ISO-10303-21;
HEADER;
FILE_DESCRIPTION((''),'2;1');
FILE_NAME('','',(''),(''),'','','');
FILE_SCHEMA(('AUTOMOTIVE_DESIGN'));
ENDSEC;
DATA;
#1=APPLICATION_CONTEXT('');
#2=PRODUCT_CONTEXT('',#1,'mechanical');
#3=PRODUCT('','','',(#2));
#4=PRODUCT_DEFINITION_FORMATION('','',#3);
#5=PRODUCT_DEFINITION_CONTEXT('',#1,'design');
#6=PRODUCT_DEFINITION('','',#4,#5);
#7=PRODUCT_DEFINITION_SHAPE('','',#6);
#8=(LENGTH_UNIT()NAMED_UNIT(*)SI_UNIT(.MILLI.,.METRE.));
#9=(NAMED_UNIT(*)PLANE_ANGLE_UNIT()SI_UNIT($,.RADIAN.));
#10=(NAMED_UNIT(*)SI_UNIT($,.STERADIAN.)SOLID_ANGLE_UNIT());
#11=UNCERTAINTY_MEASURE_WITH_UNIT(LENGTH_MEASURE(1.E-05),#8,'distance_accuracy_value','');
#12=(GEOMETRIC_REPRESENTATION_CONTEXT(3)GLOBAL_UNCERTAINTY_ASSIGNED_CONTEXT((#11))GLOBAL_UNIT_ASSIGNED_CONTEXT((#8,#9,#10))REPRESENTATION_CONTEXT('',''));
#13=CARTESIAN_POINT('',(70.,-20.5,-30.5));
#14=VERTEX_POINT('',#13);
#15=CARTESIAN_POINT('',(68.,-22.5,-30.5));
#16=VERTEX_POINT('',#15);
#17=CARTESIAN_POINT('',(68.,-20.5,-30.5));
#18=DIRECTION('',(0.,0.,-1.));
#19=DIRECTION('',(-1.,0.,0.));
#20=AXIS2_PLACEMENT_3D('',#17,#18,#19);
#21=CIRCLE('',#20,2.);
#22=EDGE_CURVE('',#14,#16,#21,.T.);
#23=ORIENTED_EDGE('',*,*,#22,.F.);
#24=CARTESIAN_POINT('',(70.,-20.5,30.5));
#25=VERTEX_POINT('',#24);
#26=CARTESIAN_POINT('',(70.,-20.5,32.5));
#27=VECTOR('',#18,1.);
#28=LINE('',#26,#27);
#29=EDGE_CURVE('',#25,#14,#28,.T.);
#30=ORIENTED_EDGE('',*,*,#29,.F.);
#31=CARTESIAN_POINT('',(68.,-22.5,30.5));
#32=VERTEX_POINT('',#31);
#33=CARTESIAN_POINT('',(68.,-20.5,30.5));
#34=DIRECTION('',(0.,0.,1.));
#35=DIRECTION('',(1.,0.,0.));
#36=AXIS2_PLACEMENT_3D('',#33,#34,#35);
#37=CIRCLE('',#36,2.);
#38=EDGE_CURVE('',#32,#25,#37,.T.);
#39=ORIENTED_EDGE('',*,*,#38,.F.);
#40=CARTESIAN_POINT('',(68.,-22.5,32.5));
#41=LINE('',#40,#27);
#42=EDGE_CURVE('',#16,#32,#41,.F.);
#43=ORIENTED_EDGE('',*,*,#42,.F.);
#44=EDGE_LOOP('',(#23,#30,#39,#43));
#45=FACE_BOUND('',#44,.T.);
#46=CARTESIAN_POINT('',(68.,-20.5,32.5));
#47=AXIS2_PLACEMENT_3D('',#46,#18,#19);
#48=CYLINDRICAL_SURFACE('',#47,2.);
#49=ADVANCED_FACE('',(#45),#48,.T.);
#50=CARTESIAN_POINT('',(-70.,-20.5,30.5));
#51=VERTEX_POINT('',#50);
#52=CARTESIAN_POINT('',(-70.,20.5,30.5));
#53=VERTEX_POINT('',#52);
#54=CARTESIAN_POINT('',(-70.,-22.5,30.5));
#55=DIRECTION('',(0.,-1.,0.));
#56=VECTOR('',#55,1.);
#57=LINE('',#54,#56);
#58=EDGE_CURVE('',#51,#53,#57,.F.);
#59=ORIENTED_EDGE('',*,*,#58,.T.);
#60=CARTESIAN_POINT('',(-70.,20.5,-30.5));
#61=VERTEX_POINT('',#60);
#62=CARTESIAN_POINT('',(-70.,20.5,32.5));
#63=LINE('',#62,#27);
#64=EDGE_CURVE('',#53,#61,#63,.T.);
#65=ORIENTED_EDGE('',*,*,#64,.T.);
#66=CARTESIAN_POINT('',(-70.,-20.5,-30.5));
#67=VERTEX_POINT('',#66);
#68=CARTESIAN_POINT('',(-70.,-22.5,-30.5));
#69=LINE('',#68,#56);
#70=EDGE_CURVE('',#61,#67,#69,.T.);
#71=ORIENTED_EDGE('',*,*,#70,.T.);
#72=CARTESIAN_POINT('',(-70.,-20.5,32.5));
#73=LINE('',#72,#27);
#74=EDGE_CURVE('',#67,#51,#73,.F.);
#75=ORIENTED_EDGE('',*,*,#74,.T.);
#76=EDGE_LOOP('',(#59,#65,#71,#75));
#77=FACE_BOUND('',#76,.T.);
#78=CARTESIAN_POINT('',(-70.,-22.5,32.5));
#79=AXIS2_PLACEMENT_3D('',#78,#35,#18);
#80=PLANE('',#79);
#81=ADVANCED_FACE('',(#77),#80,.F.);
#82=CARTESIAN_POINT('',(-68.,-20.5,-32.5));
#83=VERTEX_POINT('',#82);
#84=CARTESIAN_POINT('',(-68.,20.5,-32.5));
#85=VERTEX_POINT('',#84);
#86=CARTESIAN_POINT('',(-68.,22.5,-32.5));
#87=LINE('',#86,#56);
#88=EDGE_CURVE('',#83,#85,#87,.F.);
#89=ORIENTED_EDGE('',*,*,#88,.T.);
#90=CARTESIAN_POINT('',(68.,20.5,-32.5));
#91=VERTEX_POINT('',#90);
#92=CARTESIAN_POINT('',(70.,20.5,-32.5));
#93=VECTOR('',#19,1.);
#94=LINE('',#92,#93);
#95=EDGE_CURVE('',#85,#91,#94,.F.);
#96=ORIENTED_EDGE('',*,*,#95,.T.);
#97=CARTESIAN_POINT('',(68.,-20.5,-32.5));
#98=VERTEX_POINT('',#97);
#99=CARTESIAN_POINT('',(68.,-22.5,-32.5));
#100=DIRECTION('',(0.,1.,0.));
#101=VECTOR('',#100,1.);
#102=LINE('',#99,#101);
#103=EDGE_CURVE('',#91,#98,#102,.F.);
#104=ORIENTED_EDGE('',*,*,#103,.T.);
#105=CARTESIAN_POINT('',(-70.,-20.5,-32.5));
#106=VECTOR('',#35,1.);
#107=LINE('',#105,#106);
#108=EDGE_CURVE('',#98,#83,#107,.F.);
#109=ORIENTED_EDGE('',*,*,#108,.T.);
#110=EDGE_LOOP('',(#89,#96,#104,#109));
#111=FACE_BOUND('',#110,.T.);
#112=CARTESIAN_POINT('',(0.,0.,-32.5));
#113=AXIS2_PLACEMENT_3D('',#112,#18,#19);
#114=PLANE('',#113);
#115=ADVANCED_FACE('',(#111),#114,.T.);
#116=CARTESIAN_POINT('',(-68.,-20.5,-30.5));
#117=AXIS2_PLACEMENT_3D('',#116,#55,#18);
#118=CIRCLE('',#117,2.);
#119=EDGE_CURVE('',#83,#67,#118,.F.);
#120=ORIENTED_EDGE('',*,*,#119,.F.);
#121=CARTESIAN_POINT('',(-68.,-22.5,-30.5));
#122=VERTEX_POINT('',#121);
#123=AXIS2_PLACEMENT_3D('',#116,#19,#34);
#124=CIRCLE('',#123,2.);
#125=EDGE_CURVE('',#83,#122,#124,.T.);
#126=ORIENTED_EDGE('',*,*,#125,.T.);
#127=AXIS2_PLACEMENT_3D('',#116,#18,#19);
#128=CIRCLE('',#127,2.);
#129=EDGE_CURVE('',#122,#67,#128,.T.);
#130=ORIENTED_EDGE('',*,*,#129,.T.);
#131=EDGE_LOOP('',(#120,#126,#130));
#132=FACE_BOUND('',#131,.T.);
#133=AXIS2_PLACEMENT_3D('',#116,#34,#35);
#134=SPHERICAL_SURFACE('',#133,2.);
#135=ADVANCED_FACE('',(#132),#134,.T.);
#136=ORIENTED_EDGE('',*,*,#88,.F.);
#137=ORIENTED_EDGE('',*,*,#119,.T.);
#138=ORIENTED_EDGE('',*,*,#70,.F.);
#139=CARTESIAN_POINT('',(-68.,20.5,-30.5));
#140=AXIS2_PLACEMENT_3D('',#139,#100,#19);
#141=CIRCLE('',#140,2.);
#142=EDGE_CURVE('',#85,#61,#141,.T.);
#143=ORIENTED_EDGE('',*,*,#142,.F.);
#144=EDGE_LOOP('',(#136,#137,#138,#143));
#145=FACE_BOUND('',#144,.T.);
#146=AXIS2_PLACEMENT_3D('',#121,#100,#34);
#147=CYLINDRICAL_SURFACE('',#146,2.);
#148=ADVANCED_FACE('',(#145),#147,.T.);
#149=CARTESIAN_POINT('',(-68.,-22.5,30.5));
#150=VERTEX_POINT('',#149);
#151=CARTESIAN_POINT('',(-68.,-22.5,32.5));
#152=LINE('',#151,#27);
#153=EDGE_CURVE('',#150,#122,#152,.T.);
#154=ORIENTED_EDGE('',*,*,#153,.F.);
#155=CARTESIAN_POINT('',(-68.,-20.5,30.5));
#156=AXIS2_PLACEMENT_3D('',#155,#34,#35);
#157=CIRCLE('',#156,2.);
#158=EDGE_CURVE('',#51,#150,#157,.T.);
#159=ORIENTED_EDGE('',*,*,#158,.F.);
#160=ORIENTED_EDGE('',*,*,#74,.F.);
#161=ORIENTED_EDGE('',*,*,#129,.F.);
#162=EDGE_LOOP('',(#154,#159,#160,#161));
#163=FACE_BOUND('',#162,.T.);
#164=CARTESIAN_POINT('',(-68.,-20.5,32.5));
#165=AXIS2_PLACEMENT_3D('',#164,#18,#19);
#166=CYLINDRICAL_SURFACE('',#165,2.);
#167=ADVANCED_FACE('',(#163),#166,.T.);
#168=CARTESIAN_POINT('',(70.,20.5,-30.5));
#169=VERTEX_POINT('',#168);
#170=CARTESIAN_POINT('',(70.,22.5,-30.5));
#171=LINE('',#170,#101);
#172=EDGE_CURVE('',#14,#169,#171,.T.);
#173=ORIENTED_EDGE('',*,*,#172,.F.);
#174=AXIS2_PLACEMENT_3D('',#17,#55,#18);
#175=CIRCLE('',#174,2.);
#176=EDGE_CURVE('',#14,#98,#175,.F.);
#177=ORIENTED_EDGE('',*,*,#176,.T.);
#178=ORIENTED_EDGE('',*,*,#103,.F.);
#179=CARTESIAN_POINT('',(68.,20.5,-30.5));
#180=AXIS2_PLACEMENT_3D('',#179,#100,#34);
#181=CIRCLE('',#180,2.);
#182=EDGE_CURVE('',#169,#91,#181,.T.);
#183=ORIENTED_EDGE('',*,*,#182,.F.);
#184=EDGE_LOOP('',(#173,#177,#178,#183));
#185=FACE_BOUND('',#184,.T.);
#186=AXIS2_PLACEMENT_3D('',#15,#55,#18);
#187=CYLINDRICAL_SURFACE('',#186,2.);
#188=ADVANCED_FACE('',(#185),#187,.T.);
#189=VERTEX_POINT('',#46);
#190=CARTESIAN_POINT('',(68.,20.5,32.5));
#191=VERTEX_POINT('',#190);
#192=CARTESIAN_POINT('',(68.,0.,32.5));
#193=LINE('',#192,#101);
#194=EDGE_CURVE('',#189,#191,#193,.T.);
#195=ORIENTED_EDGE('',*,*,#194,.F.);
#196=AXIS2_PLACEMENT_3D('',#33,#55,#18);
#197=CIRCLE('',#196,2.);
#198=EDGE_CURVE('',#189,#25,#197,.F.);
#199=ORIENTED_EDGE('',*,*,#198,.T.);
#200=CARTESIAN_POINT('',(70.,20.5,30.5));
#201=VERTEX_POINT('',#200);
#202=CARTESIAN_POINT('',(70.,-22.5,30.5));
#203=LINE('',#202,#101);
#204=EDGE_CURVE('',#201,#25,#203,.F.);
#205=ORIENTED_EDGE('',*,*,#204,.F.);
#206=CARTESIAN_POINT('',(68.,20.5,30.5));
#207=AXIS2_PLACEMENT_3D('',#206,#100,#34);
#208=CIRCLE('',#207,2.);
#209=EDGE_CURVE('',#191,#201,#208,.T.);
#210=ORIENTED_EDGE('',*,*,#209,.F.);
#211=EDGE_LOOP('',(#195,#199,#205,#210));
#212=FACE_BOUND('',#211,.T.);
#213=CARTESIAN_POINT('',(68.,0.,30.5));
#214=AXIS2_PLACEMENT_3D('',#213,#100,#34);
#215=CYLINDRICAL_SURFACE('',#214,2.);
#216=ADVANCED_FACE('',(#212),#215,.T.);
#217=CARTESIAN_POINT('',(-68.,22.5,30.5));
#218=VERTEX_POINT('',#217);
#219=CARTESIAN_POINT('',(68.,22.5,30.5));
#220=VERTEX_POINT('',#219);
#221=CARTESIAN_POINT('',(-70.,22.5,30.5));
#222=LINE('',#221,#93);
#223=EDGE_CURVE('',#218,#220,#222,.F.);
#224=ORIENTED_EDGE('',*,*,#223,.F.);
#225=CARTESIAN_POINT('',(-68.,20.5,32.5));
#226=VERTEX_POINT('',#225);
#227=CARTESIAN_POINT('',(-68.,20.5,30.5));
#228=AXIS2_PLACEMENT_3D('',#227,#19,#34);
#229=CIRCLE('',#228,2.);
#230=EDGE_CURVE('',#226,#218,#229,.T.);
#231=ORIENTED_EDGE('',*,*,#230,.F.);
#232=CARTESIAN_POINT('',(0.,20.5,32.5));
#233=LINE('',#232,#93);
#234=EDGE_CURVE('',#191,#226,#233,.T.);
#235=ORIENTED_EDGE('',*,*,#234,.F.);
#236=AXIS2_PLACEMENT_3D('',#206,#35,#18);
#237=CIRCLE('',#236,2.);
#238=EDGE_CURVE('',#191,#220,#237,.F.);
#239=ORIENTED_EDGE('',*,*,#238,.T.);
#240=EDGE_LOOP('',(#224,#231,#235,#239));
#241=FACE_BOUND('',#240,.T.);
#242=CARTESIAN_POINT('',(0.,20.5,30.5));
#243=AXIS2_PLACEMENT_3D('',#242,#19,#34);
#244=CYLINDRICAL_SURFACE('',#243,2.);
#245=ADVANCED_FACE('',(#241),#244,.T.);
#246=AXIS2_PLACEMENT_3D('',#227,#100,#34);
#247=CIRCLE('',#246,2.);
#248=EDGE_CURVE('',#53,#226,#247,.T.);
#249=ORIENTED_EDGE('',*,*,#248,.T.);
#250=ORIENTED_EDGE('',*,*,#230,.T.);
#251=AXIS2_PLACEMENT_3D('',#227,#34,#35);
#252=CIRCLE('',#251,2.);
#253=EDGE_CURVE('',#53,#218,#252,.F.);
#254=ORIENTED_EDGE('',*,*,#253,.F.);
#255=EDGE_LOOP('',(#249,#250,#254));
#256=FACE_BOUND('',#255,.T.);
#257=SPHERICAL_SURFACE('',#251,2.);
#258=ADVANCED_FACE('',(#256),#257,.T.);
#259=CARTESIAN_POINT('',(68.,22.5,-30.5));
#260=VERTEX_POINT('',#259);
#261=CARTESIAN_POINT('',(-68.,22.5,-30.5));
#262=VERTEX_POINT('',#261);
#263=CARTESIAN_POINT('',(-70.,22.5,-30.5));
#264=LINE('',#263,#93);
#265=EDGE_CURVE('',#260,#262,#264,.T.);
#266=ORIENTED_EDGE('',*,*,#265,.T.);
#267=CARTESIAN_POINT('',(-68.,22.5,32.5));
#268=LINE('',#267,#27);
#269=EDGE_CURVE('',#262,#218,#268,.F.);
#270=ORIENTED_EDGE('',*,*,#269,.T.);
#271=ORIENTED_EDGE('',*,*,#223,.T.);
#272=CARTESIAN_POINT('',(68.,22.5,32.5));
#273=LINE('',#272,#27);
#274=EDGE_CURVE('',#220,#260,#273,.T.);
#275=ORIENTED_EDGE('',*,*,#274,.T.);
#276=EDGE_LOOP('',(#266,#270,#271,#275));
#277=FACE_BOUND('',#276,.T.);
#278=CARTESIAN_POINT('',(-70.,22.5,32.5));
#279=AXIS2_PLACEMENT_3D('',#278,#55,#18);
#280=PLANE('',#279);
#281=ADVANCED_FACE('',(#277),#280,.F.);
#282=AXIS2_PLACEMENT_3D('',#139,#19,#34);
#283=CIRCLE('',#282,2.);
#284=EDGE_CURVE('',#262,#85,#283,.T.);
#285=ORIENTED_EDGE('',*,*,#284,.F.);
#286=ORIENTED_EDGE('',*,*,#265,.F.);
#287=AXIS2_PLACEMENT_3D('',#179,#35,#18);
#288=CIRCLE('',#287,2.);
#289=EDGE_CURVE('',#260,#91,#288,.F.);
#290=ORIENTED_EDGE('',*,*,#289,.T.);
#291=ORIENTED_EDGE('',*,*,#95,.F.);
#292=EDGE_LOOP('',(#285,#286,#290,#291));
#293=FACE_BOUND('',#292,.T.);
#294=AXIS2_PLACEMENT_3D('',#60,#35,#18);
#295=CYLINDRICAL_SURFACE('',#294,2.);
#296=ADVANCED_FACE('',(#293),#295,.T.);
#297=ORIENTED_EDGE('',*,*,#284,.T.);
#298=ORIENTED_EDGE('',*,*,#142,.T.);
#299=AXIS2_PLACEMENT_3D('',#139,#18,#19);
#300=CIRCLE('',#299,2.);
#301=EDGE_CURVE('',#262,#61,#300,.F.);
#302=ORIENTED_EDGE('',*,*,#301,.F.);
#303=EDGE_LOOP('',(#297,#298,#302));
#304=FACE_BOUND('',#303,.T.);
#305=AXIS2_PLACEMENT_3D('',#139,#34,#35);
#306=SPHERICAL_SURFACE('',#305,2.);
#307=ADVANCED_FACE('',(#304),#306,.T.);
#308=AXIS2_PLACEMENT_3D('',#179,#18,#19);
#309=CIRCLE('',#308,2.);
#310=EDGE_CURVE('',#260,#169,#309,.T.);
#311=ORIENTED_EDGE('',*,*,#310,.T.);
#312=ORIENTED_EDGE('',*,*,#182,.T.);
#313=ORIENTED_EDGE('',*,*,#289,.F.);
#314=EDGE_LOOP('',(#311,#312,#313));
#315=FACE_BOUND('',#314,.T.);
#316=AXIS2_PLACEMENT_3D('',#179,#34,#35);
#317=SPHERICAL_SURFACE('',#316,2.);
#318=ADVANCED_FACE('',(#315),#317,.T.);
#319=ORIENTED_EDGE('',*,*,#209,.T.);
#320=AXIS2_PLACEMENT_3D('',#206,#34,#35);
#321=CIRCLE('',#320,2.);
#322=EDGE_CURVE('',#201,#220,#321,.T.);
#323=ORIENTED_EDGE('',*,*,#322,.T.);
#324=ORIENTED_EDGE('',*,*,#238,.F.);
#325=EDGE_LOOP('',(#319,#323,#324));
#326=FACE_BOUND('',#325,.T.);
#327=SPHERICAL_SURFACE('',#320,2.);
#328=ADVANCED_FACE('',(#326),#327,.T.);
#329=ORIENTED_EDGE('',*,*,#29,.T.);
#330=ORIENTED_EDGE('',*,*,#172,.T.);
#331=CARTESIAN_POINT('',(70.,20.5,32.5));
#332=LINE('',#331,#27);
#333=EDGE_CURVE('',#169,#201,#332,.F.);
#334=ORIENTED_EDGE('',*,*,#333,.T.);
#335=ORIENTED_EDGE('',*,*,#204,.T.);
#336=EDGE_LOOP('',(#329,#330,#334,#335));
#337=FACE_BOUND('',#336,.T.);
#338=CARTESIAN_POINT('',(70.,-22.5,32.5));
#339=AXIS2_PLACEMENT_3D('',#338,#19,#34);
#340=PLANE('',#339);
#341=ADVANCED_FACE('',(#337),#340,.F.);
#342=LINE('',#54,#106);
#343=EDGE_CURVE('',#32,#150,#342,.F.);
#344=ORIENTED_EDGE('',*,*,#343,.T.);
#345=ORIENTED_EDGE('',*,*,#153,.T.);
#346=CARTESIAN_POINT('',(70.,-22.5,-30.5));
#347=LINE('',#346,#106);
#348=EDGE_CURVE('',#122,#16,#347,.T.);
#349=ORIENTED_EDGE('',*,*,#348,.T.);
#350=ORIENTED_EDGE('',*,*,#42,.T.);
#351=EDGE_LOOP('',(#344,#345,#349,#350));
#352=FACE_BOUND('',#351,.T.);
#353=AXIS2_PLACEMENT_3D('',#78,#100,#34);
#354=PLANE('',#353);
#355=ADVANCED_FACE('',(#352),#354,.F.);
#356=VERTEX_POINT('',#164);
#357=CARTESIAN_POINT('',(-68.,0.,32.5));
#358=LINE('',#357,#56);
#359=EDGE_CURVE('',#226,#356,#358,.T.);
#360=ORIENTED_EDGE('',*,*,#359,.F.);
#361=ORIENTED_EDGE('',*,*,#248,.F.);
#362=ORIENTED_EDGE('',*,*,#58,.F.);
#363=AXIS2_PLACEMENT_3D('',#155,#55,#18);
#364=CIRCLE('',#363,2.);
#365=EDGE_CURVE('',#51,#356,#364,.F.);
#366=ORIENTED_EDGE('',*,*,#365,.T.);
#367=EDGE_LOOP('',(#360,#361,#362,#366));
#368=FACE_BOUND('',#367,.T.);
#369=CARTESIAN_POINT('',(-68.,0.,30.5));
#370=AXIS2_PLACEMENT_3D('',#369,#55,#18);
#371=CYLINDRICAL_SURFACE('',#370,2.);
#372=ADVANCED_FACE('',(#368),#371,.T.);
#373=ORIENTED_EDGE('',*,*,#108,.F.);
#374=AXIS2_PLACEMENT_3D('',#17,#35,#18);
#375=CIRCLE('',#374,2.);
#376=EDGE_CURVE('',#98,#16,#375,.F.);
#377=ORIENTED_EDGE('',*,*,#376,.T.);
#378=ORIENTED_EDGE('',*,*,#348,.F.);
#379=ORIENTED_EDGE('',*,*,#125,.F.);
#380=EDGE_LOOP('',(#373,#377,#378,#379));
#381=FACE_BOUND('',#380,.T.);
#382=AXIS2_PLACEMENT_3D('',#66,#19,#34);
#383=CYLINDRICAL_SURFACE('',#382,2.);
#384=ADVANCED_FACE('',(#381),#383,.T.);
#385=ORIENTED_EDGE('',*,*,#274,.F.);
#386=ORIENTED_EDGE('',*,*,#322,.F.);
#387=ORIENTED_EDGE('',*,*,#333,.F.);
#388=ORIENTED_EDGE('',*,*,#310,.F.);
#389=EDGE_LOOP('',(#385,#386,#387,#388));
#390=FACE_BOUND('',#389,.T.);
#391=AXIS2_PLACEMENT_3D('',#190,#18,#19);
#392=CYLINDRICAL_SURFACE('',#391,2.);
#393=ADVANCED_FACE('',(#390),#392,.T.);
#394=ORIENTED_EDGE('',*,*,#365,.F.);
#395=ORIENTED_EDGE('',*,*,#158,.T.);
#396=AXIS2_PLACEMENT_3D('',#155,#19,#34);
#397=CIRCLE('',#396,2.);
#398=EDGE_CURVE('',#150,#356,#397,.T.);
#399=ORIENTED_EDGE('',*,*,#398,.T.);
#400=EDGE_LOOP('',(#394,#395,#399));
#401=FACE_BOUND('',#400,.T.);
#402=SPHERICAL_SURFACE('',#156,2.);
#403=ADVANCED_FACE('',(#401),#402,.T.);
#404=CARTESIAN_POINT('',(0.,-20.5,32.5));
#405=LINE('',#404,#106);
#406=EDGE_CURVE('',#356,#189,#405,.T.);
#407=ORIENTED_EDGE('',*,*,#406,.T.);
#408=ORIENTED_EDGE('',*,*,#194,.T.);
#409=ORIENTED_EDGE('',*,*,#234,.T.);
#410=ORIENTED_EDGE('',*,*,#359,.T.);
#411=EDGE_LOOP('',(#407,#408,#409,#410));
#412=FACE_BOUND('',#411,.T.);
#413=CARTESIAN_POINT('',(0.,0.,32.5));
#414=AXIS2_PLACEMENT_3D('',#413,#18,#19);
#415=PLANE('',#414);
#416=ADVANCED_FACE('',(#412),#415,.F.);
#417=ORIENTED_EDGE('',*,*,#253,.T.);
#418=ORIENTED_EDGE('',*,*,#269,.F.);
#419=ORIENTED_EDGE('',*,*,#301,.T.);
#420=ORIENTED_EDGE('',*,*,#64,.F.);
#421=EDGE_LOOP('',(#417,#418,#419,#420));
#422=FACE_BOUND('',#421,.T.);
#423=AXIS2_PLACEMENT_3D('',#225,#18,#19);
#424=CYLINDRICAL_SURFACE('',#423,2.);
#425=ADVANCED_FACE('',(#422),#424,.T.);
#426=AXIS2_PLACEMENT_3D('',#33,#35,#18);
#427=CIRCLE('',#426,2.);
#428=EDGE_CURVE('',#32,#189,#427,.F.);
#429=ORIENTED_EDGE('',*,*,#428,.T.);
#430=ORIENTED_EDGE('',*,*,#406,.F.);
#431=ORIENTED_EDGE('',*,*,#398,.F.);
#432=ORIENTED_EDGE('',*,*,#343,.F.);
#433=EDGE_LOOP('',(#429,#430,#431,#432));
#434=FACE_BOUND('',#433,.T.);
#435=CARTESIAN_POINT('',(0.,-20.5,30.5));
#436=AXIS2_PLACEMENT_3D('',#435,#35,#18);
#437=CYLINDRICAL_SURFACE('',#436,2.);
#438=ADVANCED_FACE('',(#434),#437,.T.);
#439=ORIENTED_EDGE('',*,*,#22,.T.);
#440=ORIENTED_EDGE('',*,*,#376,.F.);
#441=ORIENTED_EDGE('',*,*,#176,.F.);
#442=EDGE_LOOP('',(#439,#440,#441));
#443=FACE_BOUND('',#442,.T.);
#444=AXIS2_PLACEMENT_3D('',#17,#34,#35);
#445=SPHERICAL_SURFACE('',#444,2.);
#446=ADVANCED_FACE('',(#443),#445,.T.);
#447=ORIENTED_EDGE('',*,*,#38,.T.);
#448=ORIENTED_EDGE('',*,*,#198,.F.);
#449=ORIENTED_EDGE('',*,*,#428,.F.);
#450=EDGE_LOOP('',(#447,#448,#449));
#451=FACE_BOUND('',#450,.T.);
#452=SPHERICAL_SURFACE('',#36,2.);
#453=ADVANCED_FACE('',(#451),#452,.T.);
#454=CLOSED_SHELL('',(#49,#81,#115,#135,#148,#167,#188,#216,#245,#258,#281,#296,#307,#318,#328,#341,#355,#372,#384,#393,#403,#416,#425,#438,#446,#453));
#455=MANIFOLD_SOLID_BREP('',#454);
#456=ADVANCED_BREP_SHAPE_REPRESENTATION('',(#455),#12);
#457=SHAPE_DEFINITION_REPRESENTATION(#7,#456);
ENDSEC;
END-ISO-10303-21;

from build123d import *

# Parameters (mm, degrees)
SCHIZZO1_W                   = 140
SCHIZZO1_H                   = 45
ESTRUSIONE_ESTRUSIONE1_DEPTH = 32.5
RACCORDO1_R                  = 2


with BuildPart() as part:
    # Schizzo1 → Estrusione-Estrusione1 (new body, symmetric)
    with BuildSketch(Plane.XY):
        Rectangle(SCHIZZO1_W, SCHIZZO1_H)
    extrude(amount=ESTRUSIONE_ESTRUSIONE1_DEPTH, both=True)

    # Raccordo1
    raccordo1_edges = [part.edges().sort_by_distance(p)[0] for p in [
        (-70, 0, 32.5),
        (0, -22.5, 32.5),
        (70, 0, 32.5),
        (0, -22.5, -32.5),
        (-70, 0, -32.5),
        (0, 22.5, -32.5),
        (70, 0, -32.5),
        (0, 22.5, 32.5),
        (70, -22.5, 0),
        (-70, -22.5, 0),
        (-70, 22.5, 0),
        (70, 22.5, 0),
    ]]
    fillet(raccordo1_edges, radius=RACCORDO1_R)


solid = part.part
